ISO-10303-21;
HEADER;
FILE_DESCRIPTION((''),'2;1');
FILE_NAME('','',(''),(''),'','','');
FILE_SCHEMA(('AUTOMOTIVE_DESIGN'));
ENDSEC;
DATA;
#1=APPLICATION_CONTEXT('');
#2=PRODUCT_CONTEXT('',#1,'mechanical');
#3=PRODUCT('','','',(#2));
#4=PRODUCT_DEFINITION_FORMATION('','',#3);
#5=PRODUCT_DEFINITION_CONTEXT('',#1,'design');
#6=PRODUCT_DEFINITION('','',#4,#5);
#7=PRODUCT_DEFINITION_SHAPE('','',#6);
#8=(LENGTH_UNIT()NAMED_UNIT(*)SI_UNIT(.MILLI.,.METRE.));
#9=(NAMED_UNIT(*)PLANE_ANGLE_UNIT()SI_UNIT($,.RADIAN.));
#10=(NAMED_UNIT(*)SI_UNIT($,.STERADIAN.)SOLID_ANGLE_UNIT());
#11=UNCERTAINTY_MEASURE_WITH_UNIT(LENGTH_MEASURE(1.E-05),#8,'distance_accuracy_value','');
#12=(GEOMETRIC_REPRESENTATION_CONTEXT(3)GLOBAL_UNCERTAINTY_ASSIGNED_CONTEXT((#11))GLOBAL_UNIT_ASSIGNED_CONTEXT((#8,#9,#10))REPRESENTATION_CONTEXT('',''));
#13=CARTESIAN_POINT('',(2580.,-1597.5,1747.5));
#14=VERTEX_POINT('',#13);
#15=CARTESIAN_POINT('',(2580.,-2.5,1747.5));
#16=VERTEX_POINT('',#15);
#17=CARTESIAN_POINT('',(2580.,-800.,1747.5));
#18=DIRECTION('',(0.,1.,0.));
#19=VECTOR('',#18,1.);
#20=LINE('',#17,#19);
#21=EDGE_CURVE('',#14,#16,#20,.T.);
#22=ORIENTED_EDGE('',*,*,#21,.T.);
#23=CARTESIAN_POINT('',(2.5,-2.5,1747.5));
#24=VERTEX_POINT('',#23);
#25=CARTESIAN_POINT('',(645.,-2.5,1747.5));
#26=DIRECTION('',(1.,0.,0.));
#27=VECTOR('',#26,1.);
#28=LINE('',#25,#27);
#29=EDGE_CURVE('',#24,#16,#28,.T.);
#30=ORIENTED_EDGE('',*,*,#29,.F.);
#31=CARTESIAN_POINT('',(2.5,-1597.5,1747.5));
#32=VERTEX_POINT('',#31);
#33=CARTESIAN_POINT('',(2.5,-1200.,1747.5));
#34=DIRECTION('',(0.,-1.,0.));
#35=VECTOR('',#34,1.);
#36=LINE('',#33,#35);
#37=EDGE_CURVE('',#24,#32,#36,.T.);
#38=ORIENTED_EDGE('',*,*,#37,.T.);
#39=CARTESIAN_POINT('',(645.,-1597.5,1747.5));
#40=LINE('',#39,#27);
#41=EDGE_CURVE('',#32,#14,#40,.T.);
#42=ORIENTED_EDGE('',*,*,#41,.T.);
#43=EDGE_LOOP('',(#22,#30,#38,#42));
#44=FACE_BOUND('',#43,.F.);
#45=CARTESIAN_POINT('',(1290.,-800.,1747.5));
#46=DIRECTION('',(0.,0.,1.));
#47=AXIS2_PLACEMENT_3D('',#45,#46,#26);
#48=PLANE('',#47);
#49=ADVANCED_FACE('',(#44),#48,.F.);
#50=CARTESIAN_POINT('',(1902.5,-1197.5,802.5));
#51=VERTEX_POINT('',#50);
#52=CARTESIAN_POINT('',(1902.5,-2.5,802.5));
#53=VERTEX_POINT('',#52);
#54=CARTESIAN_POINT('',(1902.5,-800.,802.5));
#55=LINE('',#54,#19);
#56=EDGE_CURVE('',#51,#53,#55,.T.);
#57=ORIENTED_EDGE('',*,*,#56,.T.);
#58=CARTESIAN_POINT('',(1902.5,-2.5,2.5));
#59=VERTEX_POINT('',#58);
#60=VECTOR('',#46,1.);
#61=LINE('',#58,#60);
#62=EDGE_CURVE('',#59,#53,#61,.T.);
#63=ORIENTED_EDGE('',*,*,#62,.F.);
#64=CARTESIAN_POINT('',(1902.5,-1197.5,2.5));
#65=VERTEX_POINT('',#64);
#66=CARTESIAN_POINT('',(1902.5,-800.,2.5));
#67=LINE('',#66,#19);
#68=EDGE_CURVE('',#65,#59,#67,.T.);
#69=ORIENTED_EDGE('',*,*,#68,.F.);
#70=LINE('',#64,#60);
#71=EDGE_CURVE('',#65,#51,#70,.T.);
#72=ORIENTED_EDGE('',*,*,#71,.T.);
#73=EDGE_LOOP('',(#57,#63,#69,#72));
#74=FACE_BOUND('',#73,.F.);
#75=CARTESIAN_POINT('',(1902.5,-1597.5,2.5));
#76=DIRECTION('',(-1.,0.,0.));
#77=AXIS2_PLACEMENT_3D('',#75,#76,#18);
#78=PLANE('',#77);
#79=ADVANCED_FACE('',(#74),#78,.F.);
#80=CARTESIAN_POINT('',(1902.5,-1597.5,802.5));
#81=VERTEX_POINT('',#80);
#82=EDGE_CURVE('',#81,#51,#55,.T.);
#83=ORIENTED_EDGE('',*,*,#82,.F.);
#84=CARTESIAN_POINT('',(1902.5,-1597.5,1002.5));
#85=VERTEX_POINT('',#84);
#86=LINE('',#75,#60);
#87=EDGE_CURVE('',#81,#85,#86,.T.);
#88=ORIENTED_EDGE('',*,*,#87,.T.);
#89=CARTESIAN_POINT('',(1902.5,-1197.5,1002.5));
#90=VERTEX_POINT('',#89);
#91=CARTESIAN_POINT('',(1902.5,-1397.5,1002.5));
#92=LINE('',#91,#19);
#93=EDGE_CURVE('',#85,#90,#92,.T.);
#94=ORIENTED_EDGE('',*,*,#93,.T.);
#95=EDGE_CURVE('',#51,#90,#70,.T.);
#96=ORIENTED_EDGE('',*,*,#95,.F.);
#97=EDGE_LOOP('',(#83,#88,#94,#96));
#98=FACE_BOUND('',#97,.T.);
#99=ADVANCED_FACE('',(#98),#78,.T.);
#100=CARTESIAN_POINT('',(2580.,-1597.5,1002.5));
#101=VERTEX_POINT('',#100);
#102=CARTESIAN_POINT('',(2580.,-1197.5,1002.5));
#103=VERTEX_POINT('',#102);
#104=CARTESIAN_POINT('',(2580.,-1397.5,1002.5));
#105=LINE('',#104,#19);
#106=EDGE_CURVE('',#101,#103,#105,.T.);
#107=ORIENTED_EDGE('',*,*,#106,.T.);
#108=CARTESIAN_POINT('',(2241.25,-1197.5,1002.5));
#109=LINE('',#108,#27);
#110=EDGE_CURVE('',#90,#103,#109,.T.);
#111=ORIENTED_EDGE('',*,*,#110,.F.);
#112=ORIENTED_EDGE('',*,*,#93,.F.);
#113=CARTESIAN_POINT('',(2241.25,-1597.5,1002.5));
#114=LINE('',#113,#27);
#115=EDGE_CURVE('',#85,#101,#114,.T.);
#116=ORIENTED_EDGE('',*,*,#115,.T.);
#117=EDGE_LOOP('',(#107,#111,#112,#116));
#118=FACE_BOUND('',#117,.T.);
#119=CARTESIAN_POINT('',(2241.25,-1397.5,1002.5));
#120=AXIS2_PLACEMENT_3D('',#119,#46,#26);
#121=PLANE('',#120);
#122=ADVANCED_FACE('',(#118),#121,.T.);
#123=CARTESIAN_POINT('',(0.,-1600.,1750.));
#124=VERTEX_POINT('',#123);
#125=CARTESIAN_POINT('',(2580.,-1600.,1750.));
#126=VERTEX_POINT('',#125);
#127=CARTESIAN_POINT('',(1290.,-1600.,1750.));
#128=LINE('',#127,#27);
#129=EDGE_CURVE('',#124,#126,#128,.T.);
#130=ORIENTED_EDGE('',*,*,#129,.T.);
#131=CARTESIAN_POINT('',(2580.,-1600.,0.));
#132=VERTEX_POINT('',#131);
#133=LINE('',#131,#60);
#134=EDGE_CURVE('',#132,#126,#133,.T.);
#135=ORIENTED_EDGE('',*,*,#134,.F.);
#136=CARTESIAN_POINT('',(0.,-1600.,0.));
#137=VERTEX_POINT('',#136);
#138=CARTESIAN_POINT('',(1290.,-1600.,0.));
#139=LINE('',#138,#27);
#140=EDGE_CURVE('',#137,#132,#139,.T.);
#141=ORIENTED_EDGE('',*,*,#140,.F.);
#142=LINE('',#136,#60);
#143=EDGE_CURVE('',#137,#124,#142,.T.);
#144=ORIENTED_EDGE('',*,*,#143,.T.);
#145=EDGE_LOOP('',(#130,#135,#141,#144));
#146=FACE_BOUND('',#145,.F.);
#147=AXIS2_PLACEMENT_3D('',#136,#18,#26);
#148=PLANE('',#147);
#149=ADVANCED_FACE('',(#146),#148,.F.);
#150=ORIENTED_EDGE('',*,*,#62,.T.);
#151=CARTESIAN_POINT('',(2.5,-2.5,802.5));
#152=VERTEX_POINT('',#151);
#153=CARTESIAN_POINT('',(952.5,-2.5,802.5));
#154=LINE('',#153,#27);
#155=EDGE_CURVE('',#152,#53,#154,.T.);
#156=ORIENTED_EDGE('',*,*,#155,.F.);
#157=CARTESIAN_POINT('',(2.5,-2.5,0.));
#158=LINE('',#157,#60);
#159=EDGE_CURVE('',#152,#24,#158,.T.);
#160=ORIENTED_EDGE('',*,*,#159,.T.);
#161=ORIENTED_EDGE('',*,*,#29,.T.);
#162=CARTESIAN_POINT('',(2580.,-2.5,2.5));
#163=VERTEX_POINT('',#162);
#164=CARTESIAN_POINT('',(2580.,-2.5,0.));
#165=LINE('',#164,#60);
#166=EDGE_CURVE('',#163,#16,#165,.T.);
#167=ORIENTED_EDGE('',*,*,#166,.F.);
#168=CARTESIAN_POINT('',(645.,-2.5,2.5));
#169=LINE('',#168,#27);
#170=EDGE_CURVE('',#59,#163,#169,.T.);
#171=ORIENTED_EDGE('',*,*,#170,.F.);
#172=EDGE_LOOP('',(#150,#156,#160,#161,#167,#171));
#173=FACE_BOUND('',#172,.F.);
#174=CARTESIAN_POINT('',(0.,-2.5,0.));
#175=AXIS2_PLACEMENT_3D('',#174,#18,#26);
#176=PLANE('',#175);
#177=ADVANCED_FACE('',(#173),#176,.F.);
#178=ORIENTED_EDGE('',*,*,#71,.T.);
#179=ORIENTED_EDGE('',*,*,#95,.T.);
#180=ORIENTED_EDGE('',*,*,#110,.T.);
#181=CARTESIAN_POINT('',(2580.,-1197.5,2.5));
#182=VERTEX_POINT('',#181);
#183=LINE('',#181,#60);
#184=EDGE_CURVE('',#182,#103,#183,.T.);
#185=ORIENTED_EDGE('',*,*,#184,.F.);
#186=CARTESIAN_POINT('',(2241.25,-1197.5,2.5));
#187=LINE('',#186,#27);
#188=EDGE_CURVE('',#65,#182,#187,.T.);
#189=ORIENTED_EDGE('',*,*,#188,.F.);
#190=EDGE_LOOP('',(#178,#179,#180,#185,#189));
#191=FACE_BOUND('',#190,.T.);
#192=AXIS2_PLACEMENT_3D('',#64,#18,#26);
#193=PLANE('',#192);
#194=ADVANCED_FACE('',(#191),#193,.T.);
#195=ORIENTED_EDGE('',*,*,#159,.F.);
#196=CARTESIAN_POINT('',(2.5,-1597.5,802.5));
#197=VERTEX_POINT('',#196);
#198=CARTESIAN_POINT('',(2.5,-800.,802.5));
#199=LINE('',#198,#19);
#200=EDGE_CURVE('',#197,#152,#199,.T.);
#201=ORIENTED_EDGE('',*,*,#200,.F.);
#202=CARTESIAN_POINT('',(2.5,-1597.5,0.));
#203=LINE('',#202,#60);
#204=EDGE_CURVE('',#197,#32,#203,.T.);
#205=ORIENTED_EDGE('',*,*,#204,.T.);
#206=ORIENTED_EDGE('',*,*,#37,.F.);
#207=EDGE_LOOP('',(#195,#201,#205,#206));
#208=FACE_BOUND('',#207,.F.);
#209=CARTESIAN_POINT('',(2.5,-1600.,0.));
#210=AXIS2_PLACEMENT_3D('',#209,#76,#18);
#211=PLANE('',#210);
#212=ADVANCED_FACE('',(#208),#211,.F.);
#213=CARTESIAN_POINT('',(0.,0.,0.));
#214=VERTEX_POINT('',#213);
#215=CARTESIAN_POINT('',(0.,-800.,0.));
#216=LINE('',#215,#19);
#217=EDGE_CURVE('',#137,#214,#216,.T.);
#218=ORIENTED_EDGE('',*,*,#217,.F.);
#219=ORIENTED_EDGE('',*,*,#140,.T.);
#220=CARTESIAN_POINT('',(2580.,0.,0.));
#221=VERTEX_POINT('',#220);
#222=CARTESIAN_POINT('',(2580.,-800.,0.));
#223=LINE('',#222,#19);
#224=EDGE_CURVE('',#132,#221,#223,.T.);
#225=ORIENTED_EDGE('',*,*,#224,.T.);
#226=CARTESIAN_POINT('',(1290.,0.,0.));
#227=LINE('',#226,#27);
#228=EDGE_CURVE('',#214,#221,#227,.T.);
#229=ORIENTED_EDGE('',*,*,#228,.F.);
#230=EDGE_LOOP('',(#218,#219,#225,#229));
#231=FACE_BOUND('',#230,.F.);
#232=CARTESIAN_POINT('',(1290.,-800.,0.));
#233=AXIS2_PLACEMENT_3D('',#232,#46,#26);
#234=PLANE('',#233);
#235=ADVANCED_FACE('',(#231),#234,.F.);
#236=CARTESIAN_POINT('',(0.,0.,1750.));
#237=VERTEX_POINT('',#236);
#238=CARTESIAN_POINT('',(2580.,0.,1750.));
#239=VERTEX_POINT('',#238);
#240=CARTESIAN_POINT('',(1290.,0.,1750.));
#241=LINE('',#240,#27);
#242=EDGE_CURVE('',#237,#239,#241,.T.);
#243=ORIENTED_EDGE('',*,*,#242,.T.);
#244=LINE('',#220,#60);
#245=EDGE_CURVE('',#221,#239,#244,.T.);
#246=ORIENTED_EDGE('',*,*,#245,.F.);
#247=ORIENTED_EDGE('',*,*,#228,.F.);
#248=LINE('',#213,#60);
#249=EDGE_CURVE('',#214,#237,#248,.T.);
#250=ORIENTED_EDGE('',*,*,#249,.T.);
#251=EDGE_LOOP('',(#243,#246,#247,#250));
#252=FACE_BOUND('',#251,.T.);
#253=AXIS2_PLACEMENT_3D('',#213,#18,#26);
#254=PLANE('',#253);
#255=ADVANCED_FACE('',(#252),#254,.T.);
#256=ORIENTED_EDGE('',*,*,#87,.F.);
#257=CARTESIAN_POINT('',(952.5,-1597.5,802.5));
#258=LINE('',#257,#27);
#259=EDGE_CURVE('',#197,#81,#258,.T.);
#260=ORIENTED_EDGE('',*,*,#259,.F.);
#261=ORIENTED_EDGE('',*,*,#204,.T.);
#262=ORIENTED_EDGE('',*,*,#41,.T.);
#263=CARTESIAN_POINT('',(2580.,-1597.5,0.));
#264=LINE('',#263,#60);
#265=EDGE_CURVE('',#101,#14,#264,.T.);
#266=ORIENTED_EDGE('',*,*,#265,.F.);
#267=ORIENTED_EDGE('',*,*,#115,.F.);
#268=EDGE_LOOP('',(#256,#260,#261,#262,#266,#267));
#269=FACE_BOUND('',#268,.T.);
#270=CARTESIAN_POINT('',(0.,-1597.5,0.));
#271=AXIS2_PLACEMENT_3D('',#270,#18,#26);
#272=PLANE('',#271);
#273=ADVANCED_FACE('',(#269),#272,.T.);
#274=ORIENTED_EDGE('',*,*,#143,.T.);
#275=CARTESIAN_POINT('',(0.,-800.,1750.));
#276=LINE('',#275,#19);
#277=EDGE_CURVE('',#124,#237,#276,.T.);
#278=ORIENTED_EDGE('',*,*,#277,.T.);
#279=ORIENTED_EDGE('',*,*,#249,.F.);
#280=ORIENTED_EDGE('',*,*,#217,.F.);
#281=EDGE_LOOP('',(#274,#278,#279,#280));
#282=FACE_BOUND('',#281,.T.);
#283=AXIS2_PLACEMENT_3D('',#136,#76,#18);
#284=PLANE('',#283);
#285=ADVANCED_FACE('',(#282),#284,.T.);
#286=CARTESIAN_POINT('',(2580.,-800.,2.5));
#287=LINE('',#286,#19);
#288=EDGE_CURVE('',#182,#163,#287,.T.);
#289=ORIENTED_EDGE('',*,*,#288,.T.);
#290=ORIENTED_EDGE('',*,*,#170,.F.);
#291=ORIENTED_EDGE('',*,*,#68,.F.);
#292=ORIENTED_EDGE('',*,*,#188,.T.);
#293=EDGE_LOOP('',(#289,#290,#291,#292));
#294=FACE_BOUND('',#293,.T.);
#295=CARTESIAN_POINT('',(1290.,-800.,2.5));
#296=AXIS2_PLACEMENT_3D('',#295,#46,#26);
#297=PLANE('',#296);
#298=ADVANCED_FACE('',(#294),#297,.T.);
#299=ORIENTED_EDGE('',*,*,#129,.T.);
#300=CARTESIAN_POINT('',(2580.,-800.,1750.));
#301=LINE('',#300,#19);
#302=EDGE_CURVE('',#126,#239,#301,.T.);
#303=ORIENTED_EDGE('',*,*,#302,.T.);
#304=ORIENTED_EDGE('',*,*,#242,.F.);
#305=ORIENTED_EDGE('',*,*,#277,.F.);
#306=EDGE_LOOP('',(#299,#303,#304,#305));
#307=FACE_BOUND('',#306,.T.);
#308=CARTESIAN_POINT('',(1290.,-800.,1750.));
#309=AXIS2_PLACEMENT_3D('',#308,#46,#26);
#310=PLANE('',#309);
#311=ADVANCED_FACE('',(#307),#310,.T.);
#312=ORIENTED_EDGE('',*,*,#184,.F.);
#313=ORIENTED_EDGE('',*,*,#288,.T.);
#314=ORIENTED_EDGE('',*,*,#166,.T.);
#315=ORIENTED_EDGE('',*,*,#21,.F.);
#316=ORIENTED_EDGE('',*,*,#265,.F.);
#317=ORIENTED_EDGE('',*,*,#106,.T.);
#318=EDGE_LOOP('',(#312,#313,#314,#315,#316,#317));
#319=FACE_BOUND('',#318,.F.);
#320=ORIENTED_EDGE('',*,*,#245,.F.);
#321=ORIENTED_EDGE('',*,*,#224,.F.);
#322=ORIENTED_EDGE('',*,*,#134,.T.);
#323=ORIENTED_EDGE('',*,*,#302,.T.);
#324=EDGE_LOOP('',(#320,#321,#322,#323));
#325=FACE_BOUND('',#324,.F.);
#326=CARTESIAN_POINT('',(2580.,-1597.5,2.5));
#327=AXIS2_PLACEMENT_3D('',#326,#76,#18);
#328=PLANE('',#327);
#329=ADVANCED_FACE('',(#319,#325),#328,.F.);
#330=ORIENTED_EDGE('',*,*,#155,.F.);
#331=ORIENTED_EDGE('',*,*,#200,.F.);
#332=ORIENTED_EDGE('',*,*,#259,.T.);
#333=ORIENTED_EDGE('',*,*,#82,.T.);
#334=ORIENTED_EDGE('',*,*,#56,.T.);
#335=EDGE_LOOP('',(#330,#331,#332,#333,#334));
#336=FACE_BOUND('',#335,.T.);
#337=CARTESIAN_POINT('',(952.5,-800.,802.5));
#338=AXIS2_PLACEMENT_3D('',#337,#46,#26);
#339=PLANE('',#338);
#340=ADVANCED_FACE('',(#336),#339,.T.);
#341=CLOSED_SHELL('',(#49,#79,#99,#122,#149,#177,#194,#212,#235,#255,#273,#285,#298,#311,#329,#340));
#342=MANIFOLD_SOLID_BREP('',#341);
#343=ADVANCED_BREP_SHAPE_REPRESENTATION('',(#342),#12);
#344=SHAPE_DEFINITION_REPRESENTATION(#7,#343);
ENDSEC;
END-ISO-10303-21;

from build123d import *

# Parameters (mm, degrees)
F0_W     = 2580
F0_H     = 1600
F1_DEPTH = 1750
F2_T     = -2.5
F3_W     = 1900
F3_H     = 1595
F4_DEPTH = 800
F5_W     = 677.5
F5_H     = 400
F6_DEPTH = 1000


with BuildPart() as f1:
    # F0 (on Top) → F1 (new body)
    with BuildSketch(Plane.XY):
        with Locations((1290, -800)):
            Rectangle(F0_W, F0_H)
    extrude(amount=F1_DEPTH)

    # F2
    f2_openings = [f1.faces().sort_by_distance(p)[0] for p in [
        (2580, -800, 875),
    ]]
    offset(amount=F2_T, openings=f2_openings)

    # F3 (on face) → F4 (join)
    with BuildSketch(Plane.XY.offset(2.5)):
        with Locations((952.5, -800)):
            Rectangle(F3_W, F3_H)
    extrude(amount=F4_DEPTH)

    # F5 (on face) → F6 (join)
    with BuildSketch(Plane.XY.offset(2.5)):
        with Locations((2241.25, -1397.5)):
            Rectangle(F5_W, F5_H)
    extrude(amount=F6_DEPTH)


solid = f1.part
